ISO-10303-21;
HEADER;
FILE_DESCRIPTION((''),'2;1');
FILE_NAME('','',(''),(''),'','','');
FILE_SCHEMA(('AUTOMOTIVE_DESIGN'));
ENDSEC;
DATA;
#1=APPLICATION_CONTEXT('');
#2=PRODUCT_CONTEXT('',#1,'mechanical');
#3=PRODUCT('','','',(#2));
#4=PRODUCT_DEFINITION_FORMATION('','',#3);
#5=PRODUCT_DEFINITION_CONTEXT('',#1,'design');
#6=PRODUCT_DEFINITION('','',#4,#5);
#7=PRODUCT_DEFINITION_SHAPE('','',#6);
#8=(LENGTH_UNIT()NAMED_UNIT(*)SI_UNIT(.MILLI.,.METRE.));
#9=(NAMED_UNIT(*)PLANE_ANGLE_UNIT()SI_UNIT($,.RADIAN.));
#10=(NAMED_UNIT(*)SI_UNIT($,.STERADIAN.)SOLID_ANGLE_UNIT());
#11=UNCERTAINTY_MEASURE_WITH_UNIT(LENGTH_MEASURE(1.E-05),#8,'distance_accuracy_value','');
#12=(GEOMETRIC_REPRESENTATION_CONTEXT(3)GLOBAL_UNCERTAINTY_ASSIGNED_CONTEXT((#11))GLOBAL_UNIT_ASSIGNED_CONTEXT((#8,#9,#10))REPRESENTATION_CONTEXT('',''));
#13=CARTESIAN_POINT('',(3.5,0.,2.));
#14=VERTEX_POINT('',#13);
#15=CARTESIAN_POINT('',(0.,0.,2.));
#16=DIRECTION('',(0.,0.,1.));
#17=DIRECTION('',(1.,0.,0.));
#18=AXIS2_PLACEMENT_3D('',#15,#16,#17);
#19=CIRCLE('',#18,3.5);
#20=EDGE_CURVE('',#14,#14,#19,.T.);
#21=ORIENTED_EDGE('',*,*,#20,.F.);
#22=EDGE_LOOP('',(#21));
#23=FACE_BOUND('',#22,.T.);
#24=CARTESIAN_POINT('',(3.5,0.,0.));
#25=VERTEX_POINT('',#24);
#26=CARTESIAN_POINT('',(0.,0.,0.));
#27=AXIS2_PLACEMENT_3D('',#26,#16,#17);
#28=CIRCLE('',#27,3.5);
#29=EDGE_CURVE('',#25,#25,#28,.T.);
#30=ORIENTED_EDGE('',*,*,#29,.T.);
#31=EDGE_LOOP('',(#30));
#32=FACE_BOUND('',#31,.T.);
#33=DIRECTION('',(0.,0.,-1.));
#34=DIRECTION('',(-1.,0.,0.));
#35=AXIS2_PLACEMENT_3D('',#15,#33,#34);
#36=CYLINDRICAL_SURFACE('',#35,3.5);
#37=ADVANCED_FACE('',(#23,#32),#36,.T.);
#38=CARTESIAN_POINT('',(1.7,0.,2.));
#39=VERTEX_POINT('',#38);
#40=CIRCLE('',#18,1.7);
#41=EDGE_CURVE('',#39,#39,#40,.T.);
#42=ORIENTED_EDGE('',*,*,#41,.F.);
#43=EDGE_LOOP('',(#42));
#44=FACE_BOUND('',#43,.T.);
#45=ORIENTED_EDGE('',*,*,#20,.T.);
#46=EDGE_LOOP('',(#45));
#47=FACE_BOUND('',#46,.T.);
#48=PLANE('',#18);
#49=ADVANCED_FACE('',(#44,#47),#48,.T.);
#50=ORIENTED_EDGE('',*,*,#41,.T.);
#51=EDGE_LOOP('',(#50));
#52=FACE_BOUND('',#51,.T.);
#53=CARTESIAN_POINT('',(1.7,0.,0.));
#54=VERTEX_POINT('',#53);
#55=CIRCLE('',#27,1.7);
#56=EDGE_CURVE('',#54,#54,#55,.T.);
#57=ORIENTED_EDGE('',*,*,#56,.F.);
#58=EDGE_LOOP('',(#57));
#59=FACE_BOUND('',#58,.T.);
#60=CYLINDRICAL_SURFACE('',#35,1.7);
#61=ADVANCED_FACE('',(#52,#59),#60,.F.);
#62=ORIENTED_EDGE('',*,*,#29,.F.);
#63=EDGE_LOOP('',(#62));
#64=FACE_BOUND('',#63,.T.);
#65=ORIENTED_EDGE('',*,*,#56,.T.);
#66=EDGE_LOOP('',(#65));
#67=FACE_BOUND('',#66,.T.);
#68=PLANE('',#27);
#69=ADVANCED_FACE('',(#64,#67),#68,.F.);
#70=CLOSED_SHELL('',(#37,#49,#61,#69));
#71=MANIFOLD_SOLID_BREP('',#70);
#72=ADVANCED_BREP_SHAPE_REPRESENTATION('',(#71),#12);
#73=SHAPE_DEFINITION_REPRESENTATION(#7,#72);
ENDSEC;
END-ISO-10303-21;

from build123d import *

# Parameters (mm, degrees)
M3_CLEARANCE_PROFILE_R   = 3.5
M3_CLEARANCE_PROFILE_R_2 = 1.7
M3_CLEARANCE_DEPTH       = 2


with BuildPart() as part:
    # M3 clearance profile → M3 clearance (new body)
    with BuildSketch(Plane.XY):
        Circle(M3_CLEARANCE_PROFILE_R)
        Circle(M3_CLEARANCE_PROFILE_R_2, mode=Mode.SUBTRACT)
    extrude(amount=M3_CLEARANCE_DEPTH)


solid = part.part
